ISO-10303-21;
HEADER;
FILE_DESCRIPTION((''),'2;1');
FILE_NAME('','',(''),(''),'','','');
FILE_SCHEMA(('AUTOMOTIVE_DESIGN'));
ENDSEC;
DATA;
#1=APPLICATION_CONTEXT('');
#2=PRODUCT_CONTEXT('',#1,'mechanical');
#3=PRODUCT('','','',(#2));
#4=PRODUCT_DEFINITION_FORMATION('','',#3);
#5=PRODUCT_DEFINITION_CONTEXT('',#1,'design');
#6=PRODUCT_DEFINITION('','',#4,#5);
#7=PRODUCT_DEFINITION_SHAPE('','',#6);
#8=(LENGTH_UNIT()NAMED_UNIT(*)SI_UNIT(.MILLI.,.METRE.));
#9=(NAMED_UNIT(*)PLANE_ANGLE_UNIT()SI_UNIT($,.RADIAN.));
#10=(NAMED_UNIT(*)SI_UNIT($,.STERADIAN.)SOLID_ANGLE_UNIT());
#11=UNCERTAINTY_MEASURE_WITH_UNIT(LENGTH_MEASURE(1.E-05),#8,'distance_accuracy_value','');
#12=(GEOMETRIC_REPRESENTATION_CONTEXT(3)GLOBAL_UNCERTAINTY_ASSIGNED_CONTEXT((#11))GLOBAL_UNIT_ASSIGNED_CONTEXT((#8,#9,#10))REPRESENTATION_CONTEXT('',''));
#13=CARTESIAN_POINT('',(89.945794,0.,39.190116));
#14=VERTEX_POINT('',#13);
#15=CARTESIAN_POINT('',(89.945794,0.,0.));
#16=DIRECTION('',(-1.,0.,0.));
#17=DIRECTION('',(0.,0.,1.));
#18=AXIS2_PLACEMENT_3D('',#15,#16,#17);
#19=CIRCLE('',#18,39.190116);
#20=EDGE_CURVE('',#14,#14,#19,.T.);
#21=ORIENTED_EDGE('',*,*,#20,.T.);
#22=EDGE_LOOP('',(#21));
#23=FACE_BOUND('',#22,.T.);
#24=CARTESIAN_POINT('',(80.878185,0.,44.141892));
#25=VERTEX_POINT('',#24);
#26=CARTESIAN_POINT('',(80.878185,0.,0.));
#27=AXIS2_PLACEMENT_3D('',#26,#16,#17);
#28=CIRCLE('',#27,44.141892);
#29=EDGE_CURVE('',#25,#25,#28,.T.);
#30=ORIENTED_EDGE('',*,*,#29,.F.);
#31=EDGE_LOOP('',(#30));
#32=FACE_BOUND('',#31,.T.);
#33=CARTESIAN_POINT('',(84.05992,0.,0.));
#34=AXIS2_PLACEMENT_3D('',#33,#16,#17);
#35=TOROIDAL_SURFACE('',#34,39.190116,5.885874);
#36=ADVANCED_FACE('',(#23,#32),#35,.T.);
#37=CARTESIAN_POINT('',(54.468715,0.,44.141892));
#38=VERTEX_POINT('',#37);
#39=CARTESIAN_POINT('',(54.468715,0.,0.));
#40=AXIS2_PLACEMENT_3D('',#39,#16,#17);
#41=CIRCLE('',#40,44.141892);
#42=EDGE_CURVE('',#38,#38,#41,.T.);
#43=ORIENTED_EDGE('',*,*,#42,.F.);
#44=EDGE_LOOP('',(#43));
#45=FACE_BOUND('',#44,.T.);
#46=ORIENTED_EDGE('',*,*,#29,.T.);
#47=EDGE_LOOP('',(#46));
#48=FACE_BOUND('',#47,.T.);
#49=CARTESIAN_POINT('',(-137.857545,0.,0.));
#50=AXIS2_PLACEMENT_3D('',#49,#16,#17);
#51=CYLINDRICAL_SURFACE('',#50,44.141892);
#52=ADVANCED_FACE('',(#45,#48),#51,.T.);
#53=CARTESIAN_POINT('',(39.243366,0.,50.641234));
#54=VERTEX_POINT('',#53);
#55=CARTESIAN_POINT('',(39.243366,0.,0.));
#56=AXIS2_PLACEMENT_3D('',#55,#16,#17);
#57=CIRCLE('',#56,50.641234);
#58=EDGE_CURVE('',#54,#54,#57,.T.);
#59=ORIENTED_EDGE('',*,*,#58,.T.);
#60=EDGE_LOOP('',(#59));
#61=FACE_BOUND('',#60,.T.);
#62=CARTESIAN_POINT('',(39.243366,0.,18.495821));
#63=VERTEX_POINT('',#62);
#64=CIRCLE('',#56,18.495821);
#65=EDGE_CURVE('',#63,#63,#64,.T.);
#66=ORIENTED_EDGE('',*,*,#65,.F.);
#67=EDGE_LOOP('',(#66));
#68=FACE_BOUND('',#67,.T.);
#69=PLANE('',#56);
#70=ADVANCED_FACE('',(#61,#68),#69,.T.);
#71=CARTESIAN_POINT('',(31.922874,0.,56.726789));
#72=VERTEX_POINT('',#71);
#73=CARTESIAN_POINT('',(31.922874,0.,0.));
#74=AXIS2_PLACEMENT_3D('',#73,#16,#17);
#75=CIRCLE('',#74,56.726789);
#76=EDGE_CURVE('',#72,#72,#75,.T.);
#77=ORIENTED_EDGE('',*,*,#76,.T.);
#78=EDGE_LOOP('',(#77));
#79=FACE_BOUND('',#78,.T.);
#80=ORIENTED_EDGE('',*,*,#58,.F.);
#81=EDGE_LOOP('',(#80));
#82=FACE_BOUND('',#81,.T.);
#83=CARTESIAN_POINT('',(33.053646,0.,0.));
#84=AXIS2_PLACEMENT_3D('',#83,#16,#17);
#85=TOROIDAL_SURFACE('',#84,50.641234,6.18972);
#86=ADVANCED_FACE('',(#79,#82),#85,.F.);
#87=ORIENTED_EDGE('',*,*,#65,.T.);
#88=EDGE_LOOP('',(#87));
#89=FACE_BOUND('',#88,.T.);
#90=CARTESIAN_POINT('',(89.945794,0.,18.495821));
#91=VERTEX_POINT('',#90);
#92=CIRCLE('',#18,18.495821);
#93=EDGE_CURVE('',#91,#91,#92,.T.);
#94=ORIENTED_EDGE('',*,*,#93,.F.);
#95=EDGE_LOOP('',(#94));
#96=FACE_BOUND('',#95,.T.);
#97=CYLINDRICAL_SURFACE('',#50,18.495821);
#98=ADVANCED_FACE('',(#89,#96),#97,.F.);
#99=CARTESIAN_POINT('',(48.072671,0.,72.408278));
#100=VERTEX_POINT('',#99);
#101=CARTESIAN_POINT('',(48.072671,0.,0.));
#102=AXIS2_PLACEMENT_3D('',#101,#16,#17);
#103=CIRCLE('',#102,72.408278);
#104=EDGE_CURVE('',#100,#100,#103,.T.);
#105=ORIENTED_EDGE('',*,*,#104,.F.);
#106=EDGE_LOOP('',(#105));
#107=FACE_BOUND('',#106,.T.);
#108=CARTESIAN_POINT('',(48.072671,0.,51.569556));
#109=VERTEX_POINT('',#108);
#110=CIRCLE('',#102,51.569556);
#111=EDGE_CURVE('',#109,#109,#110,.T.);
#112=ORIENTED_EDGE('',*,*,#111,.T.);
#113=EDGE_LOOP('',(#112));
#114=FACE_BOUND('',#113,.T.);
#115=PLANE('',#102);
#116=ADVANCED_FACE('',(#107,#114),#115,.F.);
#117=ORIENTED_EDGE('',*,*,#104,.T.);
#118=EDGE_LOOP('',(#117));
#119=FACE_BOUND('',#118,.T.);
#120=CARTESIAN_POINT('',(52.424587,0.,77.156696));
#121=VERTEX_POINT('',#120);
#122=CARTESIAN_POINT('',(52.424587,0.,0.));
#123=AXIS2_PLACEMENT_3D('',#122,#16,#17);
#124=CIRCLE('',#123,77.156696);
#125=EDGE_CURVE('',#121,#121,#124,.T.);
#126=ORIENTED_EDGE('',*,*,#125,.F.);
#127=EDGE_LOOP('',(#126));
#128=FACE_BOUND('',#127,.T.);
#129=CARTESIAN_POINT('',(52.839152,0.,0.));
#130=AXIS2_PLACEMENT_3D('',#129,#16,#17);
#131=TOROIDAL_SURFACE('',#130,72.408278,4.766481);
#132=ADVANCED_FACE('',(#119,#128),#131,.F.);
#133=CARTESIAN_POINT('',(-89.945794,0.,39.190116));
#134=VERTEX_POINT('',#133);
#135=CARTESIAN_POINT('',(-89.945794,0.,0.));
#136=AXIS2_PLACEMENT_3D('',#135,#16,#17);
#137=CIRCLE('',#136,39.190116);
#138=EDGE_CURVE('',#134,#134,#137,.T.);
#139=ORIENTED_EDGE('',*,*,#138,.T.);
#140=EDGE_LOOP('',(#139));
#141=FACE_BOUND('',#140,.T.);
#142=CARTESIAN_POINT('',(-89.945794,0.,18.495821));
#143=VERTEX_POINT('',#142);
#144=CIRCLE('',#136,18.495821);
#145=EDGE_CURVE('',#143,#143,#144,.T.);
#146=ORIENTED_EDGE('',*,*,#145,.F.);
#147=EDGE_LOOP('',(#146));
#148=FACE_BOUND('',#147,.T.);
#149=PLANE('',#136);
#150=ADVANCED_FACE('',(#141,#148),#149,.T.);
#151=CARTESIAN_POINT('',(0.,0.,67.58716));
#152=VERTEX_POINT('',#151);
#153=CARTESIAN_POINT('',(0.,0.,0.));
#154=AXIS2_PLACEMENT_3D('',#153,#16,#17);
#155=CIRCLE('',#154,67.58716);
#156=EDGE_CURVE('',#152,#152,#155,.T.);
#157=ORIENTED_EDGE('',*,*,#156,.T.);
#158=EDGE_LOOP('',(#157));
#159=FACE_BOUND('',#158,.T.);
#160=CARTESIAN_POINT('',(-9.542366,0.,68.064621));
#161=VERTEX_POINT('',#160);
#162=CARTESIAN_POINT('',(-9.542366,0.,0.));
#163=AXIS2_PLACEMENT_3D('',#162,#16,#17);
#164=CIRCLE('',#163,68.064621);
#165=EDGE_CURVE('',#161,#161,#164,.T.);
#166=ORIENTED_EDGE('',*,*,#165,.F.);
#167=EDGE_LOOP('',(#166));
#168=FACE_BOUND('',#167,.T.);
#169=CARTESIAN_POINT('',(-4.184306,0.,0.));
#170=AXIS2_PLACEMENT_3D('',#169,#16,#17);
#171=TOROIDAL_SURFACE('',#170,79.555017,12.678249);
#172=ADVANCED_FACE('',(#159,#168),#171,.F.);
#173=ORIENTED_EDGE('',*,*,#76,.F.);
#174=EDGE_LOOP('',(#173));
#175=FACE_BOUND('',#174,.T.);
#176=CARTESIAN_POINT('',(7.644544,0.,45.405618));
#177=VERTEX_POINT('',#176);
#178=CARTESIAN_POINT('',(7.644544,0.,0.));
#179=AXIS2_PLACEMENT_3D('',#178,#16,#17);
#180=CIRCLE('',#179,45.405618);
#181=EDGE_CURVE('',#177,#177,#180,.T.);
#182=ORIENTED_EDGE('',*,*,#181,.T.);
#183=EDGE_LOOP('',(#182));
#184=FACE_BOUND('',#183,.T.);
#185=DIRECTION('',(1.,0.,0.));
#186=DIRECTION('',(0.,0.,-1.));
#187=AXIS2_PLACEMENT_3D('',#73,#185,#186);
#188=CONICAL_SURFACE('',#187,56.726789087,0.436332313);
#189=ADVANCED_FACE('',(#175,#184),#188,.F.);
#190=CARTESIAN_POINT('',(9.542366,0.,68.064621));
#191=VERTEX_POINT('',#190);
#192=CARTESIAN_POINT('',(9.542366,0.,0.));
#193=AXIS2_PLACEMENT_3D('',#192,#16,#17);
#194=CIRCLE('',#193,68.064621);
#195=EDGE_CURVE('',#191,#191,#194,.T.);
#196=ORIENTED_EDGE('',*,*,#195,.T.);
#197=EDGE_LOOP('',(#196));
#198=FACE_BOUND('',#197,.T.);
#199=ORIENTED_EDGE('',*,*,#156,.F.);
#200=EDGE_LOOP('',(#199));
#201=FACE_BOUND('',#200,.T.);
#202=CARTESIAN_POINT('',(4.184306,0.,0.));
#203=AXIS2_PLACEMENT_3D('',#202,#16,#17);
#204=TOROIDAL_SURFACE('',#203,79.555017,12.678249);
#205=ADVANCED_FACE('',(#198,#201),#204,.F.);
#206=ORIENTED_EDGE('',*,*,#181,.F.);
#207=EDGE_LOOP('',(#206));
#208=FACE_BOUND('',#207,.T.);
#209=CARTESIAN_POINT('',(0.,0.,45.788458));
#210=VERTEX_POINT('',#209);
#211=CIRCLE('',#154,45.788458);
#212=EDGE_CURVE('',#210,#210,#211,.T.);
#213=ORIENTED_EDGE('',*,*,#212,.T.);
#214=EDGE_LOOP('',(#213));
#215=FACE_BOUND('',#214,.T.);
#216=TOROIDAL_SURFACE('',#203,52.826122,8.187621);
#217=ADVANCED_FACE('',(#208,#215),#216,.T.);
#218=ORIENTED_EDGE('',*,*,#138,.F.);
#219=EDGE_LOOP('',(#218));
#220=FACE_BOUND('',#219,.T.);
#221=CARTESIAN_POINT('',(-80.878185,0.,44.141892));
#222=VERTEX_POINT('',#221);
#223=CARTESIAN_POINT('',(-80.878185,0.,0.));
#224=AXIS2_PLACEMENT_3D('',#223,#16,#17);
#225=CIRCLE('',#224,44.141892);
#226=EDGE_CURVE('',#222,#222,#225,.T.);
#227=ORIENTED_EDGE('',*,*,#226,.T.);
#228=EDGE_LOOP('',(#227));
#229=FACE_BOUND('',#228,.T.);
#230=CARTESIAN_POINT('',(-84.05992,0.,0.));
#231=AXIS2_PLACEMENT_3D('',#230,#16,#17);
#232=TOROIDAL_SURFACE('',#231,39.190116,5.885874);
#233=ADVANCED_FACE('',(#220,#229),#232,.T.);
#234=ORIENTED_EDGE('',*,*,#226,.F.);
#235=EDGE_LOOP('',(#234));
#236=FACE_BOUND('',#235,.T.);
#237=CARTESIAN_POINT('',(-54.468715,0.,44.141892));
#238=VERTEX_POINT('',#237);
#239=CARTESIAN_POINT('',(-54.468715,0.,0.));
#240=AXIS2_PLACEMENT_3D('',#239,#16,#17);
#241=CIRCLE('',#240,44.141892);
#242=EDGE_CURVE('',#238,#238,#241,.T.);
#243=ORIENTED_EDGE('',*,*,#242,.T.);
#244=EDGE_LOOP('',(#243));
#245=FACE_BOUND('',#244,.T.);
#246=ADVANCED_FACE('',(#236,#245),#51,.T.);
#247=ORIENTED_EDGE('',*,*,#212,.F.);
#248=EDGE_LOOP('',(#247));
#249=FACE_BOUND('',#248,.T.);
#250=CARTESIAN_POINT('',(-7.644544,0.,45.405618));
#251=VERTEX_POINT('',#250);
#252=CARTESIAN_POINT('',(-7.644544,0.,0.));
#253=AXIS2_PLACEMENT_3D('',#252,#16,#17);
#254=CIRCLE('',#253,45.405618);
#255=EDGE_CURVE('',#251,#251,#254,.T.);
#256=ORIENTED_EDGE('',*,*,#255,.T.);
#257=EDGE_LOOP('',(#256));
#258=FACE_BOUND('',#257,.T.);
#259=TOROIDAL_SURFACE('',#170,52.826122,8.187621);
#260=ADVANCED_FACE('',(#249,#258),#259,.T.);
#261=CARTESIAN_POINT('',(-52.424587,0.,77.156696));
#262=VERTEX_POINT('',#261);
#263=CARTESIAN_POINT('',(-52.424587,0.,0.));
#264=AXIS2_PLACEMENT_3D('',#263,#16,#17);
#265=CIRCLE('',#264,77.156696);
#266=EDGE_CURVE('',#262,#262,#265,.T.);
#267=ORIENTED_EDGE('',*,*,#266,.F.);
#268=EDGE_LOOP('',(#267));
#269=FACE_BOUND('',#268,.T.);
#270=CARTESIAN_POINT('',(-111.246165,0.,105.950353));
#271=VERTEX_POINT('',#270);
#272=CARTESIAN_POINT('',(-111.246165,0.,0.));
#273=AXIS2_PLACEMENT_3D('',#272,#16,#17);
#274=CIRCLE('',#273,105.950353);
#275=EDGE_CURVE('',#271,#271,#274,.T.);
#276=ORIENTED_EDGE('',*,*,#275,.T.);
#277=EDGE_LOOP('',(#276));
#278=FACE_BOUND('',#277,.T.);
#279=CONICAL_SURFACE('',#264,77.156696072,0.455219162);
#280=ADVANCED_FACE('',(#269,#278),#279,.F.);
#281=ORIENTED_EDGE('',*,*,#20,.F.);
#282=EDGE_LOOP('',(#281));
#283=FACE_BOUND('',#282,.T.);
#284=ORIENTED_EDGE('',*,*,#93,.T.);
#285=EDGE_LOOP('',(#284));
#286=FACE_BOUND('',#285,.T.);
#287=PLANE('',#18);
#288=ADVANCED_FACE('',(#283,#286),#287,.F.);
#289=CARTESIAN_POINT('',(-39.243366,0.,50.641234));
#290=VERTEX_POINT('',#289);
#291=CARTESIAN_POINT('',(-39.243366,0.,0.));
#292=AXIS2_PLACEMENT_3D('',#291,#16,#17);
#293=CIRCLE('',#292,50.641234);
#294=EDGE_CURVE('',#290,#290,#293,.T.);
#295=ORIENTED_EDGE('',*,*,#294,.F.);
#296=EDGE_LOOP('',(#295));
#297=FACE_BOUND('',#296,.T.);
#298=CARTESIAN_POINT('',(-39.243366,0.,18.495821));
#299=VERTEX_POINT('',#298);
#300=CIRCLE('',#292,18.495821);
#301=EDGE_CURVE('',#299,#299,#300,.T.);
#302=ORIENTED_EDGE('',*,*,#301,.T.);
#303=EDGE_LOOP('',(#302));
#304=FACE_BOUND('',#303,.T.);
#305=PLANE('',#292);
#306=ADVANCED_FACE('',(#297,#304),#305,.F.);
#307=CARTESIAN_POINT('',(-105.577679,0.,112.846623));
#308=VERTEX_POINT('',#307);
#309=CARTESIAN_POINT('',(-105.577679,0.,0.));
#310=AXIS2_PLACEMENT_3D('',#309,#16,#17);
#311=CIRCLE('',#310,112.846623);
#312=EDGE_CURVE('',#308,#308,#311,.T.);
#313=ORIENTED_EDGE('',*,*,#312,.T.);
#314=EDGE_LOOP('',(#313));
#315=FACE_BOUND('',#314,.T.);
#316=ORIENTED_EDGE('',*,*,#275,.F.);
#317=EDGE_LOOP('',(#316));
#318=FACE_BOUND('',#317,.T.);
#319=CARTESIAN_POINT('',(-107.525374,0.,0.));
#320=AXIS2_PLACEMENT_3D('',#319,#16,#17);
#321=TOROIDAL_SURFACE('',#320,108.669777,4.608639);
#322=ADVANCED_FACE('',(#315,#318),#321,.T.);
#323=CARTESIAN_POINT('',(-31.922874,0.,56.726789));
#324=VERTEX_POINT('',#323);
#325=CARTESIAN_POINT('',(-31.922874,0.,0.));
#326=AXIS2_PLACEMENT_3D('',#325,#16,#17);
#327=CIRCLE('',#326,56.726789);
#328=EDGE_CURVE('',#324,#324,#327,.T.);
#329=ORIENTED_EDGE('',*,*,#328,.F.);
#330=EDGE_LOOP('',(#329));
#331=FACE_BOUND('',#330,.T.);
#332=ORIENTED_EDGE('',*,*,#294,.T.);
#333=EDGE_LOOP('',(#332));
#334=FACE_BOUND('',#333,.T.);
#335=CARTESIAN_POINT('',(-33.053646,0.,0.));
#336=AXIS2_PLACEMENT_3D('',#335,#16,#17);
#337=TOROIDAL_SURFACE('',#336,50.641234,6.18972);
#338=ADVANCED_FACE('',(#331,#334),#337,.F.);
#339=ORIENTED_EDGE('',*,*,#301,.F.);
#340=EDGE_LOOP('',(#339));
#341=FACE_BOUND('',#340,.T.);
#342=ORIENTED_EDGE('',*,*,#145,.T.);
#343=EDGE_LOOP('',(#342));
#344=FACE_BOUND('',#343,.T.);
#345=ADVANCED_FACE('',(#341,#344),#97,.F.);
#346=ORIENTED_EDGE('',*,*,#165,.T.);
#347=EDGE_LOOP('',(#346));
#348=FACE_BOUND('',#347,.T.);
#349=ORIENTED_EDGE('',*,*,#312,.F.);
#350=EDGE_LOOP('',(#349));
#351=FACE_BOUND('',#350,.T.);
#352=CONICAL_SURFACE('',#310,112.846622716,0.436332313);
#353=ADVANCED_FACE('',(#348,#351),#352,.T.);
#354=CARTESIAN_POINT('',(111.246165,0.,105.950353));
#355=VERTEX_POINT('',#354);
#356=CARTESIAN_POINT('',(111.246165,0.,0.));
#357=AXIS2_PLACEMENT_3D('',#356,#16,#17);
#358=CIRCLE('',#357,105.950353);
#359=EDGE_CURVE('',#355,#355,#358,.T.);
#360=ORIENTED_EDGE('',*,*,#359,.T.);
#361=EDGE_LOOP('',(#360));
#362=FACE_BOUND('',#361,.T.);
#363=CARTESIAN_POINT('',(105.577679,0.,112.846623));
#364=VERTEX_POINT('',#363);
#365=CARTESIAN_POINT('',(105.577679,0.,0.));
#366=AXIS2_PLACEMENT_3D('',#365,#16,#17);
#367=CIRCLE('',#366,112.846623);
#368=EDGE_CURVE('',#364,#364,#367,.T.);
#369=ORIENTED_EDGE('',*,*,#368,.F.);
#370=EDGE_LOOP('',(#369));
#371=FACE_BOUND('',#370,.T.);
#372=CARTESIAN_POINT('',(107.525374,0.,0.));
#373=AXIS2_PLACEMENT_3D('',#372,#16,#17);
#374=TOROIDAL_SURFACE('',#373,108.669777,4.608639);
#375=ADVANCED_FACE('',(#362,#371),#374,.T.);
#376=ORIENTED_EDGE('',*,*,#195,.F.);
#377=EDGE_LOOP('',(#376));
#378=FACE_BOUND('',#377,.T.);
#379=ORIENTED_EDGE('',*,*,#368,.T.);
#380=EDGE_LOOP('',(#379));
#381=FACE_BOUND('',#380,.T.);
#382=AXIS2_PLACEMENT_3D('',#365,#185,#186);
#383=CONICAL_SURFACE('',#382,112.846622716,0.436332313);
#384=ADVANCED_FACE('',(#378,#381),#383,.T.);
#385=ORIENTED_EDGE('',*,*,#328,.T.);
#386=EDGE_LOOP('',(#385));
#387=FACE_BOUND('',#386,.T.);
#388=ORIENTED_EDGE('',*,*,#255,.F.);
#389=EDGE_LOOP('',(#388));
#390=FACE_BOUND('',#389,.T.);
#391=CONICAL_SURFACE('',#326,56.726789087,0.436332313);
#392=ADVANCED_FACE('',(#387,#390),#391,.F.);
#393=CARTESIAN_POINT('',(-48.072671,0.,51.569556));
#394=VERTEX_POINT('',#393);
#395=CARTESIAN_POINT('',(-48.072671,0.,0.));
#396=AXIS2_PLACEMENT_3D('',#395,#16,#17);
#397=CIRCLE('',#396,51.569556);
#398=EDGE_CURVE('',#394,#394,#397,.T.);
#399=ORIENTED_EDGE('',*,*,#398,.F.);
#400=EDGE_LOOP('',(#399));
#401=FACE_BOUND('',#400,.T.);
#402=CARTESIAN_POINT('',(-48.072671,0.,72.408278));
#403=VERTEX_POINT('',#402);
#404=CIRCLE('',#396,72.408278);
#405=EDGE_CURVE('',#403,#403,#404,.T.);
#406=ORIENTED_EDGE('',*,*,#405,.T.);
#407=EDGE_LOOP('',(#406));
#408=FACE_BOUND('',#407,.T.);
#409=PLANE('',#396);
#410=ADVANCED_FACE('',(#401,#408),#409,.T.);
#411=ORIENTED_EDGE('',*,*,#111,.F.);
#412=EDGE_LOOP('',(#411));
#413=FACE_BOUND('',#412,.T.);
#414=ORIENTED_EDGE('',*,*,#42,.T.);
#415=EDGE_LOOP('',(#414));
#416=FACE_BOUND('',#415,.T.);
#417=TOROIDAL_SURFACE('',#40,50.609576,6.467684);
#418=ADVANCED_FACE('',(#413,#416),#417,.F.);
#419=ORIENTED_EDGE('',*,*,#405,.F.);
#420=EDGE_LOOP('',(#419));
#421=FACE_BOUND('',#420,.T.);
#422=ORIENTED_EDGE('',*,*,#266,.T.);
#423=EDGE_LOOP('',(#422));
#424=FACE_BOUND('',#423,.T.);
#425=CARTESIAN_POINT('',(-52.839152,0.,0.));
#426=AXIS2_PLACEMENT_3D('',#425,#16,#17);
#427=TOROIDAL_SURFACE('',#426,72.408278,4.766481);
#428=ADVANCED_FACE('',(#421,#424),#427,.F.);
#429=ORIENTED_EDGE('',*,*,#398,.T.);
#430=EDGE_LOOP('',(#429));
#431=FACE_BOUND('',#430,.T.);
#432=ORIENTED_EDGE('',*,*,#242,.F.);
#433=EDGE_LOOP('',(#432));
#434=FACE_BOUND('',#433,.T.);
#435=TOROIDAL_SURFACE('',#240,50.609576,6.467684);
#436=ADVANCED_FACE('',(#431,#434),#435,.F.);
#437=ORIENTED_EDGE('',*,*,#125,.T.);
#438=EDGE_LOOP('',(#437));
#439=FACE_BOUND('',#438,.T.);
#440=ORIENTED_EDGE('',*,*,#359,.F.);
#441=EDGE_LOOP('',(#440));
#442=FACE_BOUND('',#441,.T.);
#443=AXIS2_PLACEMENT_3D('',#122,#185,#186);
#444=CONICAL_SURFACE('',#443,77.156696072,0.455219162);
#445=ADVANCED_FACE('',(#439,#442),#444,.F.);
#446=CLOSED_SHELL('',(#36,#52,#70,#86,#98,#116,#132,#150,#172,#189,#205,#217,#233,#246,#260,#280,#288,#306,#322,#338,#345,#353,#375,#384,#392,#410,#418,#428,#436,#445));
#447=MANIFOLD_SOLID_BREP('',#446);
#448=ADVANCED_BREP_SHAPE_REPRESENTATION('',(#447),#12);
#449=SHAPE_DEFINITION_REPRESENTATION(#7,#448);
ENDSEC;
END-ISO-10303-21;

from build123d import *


with BuildPart() as part:
    # Sketch1 → Revolve2 (revolve)
    with BuildSketch(Plane(origin=(0, 0, 0), x_dir=(1, 0, 0), z_dir=(0, 1, 0)), mode=Mode.PRIVATE) as revolve2_sk:
        with BuildLine():
            Line((-89.945794133, 18.4958208), (-39.243365974, 18.4958208))
            Line((-39.243365974, 18.4958208), (-39.243365974, 50.641233934))
            ThreePointArc((-39.243365974, 50.641233934), (-37.010505257, 55.401054962), (-31.922873958, 56.726789087))
            Line((-31.922873958, 56.726789087), (-7.644544196, 45.405617992))
            ThreePointArc((-7.644544196, 45.405617992), (-3.774781621, 44.648749795), (0, 45.788458341))
            ThreePointArc((0, 45.788458341), (3.774781621, 44.648749795), (7.644544196, 45.405617992))
            Line((7.644544196, 45.405617992), (31.922873958, 56.726789087))
            ThreePointArc((31.922873958, 56.726789087), (37.010505257, 55.401054962), (39.243365974, 50.641233934))
            Line((39.243365974, 50.641233934), (39.243365974, 18.4958208))
            Line((39.243365974, 18.4958208), (89.945794133, 18.4958208))
            Line((89.945794133, 18.4958208), (89.945794133, 39.190116446))
            ThreePointArc((89.945794133, 39.190116446), (86.880932521, 44.355908205), (80.878184958, 44.141892074))
            Line((80.878184958, 44.141892074), (54.468714942, 44.141892074))
            ThreePointArc((54.468714942, 44.141892074), (49.567705941, 46.38926256), (48.072671422, 51.569555516))
            Line((48.072671422, 51.569555516), (48.072671422, 72.408277951))
            ThreePointArc((48.072671422, 72.408277951), (49.325225736, 75.628784108), (52.424586517, 77.156696072))
            Line((52.424586517, 77.156696072), (111.246164538, 105.95035301))
            ThreePointArc((111.246164538, 105.95035301), (111.085654842, 111.596200371), (105.57767883, 112.846622716))
            Line((105.57767883, 112.846622716), (9.542365686, 68.064620744))
            ThreePointArc((9.542365686, 68.064620744), (4.817880408, 66.892608341), (0, 67.587160426))
            ThreePointArc((0, 67.587160426), (-4.817880408, 66.892608341), (-9.542365686, 68.064620744))
            Line((-9.542365686, 68.064620744), (-105.57767883, 112.846622716))
            ThreePointArc((-105.57767883, 112.846622716), (-111.085654842, 111.596200371), (-111.246164538, 105.95035301))
            Line((-111.246164538, 105.95035301), (-52.424586517, 77.156696072))
            ThreePointArc((-52.424586517, 77.156696072), (-49.325225736, 75.628784108), (-48.072671422, 72.408277951))
            Line((-48.072671422, 72.408277951), (-48.072671422, 51.569555516))
            ThreePointArc((-48.072671422, 51.569555516), (-49.567705941, 46.38926256), (-54.468714942, 44.141892074))
            Line((-54.468714942, 44.141892074), (-80.878184958, 44.141892074))
            ThreePointArc((-80.878184958, 44.141892074), (-86.880932521, 44.355908205), (-89.945794133, 39.190116446))
            Line((-89.945794133, 39.190116446), (-89.945794133, 18.4958208))
        make_face()
    revolve(revolve2_sk.sketch.rotate(Axis((-137.857544933, 0, 0), (1, 0, 0)), 180), axis=Axis((-137.857544933, 0, 0), (1, 0, 0)))


solid = part.part
